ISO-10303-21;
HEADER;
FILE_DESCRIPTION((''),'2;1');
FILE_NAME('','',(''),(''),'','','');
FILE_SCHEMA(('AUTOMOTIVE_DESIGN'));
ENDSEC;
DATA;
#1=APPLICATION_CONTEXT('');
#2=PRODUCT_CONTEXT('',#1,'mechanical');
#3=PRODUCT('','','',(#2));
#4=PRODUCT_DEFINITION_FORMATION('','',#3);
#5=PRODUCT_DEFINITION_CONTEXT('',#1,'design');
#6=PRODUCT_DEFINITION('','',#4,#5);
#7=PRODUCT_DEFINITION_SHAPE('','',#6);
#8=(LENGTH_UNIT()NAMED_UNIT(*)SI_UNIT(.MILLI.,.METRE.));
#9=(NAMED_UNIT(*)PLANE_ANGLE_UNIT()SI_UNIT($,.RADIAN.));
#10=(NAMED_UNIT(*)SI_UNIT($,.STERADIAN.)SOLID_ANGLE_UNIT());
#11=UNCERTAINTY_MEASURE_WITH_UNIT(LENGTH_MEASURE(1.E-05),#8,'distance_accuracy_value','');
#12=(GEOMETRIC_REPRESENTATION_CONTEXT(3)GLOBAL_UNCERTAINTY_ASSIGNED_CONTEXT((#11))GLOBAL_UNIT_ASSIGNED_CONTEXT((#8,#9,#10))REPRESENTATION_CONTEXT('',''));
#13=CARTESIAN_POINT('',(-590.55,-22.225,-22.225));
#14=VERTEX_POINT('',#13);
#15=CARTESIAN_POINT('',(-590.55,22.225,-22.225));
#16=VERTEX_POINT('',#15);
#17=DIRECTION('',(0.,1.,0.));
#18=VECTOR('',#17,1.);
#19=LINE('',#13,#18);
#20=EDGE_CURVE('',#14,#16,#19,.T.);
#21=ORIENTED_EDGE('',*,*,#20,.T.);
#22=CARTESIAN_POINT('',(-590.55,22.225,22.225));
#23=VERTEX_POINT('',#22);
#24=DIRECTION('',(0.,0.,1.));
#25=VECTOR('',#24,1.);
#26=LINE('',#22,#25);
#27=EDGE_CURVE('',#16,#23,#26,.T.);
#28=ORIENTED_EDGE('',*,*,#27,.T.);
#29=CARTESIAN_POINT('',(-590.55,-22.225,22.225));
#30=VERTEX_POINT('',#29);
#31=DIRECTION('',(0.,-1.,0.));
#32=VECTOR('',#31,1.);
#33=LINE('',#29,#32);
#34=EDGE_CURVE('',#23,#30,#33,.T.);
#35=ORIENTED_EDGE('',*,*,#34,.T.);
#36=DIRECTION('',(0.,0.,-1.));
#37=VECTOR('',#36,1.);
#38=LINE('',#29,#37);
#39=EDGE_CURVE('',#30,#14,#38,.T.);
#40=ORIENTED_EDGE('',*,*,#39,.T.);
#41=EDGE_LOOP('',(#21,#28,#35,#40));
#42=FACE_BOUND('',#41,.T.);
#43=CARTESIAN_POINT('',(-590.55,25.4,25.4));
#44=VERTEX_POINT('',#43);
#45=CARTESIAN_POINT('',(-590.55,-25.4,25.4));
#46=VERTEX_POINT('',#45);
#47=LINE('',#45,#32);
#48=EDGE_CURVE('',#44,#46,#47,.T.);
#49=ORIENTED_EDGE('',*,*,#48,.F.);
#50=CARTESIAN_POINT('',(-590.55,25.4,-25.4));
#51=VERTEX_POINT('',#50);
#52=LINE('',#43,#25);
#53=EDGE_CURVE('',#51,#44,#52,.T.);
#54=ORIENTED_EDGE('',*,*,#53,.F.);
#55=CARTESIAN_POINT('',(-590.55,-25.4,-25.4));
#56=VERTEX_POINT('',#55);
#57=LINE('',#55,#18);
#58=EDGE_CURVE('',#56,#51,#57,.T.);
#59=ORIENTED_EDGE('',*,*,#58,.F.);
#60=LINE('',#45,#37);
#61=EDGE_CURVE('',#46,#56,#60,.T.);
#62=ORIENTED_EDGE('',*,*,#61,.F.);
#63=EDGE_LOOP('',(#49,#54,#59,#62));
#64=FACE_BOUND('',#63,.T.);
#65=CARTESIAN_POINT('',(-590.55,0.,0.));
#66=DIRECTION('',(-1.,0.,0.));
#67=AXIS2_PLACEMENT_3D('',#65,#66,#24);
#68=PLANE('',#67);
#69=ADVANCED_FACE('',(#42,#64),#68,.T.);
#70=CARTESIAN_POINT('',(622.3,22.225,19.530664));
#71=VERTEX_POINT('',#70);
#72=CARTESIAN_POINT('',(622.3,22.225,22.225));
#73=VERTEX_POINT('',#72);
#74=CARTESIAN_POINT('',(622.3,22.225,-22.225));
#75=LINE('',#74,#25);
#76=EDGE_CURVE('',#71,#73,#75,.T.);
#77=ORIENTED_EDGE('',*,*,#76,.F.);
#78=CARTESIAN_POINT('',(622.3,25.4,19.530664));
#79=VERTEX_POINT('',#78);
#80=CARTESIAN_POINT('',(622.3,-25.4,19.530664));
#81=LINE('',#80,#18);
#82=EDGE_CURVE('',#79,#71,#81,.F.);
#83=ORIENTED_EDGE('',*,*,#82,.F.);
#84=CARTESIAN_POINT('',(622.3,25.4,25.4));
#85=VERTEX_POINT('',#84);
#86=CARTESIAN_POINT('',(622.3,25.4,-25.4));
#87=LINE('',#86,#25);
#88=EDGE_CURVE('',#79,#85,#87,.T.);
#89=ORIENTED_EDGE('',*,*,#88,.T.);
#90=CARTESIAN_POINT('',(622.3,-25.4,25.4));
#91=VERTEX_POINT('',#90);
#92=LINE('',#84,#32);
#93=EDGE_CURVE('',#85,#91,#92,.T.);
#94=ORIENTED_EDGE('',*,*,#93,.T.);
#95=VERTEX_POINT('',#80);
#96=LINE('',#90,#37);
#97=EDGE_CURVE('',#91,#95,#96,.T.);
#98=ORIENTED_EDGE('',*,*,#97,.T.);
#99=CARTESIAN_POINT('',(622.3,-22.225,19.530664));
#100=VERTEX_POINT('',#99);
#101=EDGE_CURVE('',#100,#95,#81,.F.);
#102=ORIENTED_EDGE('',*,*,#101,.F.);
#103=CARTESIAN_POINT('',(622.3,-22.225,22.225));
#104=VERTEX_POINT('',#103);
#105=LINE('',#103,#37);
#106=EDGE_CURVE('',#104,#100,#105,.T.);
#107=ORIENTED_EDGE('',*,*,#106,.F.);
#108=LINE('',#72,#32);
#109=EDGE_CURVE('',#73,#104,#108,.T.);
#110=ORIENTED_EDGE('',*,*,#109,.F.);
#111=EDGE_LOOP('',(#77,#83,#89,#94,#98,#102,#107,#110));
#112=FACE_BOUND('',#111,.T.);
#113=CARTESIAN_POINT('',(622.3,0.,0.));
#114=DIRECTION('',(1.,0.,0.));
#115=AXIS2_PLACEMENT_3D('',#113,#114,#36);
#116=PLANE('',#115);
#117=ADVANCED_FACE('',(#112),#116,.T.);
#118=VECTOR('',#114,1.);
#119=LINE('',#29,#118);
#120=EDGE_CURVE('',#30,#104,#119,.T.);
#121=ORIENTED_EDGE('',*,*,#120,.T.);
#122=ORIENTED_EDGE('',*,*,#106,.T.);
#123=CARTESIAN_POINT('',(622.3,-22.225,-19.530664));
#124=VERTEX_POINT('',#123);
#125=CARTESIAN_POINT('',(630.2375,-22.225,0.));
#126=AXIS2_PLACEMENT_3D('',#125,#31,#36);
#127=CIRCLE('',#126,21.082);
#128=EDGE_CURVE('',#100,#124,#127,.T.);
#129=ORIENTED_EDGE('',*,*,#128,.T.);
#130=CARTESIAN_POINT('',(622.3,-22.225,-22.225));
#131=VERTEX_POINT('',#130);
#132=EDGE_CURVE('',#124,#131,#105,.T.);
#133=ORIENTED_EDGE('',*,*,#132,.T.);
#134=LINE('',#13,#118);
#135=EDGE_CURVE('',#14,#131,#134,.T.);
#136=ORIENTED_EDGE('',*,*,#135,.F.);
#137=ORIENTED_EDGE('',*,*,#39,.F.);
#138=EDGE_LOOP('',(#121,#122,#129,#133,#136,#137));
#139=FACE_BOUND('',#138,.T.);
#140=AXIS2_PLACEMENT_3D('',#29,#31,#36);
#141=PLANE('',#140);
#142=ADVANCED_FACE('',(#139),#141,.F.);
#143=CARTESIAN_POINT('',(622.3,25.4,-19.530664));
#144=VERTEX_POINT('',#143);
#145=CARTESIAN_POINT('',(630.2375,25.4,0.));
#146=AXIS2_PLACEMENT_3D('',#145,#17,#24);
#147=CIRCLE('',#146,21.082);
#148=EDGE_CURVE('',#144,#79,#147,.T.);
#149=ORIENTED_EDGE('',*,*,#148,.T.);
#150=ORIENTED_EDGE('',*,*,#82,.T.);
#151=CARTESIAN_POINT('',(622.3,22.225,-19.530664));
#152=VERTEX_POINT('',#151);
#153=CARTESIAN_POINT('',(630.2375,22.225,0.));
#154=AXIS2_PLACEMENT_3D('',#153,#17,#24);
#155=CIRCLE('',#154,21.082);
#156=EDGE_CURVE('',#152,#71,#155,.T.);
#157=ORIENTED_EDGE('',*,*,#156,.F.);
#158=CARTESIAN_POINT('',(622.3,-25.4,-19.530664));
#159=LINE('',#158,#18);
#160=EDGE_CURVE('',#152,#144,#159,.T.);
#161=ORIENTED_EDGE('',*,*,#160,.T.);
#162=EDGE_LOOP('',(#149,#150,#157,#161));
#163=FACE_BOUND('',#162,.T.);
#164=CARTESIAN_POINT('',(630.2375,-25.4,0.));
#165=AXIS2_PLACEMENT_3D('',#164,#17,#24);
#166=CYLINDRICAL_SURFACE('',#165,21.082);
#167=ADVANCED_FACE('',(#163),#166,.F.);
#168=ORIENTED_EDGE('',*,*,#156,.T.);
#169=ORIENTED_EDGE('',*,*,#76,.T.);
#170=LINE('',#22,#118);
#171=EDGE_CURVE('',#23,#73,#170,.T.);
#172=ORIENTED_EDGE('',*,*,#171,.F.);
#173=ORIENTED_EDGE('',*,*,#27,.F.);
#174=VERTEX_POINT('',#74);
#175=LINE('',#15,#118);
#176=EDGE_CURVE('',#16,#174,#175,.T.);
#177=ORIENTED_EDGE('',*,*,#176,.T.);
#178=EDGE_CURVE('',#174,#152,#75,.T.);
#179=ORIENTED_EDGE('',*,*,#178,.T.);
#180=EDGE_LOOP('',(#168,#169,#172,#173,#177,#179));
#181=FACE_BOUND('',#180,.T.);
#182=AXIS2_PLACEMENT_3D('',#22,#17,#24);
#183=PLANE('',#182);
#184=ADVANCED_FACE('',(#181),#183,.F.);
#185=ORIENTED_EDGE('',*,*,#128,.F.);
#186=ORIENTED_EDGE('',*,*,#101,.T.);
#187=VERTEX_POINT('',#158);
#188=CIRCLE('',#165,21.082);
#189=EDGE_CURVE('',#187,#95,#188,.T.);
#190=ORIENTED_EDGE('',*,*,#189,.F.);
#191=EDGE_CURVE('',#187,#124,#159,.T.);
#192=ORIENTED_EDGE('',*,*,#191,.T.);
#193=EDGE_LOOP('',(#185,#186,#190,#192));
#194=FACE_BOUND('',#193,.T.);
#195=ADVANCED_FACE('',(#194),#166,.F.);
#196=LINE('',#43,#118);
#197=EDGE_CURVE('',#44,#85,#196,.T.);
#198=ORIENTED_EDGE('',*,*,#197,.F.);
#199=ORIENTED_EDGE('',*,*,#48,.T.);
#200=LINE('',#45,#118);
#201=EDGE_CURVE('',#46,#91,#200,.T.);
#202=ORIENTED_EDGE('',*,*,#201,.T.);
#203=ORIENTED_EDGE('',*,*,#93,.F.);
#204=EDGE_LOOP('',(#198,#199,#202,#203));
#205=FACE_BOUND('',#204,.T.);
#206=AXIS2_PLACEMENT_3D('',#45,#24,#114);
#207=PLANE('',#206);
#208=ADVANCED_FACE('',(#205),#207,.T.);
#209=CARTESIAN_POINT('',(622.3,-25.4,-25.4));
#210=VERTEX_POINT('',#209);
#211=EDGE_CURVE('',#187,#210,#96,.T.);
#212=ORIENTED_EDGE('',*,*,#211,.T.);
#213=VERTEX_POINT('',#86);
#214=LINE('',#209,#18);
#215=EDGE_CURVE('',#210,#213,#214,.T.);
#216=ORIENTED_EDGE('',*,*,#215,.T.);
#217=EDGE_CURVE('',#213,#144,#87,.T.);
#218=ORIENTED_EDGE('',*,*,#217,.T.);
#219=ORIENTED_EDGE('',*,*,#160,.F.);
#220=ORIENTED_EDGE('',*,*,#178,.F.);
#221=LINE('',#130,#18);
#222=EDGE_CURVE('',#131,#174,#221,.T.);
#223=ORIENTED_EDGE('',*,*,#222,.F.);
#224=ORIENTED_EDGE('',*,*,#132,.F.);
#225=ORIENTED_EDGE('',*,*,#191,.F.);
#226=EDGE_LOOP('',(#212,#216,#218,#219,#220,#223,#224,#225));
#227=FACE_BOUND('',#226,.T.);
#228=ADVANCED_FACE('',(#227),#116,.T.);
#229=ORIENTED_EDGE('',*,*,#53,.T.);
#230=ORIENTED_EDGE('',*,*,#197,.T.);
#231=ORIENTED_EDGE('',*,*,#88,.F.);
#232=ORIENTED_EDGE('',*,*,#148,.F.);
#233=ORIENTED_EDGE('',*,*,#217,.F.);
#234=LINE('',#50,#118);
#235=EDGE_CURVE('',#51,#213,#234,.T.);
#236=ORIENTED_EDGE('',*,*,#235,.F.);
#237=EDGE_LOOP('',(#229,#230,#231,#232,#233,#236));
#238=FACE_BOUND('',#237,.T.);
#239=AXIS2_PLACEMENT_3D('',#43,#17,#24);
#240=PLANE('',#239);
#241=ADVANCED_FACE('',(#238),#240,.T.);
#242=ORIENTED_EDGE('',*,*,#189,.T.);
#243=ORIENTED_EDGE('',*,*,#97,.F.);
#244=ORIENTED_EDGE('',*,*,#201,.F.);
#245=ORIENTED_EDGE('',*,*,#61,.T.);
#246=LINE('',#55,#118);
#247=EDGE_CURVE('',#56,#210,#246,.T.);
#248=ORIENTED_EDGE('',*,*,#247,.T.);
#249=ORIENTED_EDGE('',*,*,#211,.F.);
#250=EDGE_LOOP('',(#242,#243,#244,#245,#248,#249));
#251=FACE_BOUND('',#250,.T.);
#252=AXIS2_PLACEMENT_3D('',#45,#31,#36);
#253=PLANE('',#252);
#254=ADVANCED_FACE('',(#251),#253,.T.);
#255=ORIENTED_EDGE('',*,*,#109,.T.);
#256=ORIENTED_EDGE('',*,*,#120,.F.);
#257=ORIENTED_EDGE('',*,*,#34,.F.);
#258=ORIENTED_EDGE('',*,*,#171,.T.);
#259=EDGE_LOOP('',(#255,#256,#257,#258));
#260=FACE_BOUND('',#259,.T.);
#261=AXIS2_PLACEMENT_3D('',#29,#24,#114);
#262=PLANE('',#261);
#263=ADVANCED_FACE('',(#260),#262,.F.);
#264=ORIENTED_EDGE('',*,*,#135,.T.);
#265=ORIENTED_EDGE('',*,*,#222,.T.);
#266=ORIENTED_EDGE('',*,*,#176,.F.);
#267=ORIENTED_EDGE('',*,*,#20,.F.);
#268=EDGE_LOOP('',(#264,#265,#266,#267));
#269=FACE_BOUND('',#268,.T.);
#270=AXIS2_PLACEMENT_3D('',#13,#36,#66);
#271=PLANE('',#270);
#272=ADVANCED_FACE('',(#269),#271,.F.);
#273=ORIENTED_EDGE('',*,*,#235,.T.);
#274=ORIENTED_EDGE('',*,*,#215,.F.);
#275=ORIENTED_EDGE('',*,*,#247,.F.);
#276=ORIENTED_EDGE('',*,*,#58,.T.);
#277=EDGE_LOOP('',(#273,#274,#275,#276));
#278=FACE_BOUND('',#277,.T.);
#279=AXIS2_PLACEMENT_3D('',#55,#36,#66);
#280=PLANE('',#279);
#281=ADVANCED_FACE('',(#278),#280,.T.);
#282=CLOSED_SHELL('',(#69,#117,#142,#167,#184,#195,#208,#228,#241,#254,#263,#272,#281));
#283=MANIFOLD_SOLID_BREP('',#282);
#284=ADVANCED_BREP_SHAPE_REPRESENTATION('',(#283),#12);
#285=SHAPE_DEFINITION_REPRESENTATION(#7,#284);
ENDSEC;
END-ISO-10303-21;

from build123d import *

# Parameters (mm, degrees)
SKETCH1_W                = 50.8
SKETCH1_H                = 50.8
SKETCH1_W_2              = 44.45
SKETCH1_H_2              = 44.45
BOSS_EXTRUDE1_DEPTH      = 590.55
BOSS_EXTRUDE1_DEPTH_BACK = 590.55
SKETCH6_W                = 50.8
SKETCH6_H                = 50.8
SKETCH6_W_2              = 44.45
SKETCH6_H_2              = 44.45
BOSS_EXTRUDE2_DEPTH      = 31.75
SKETCH7_R                = 21.082
CUT_EXTRUDE1_DEPTH       = 50.8


with BuildPart() as part:
    # Sketch1 → Boss-Extrude1 (new body, two sides)
    with BuildSketch(Plane(origin=(0, 0, 0), x_dir=(0, 0, -1), z_dir=(1, 0, 0))) as boss_extrude1_sk:
        Rectangle(SKETCH1_W, SKETCH1_H)
        Rectangle(SKETCH1_W_2, SKETCH1_H_2, mode=Mode.SUBTRACT)
    extrude(amount=BOSS_EXTRUDE1_DEPTH)
    extrude(boss_extrude1_sk.sketch, amount=-BOSS_EXTRUDE1_DEPTH_BACK)

    # Sketch6 → Boss-Extrude2 (add)
    with BuildSketch(Plane(origin=(590.55, 0, 0), x_dir=(0, 0, -1), z_dir=(1, 0, 0))):
        Rectangle(SKETCH6_W, SKETCH6_H)
        Rectangle(SKETCH6_W_2, SKETCH6_H_2, mode=Mode.SUBTRACT)
    extrude(amount=BOSS_EXTRUDE2_DEPTH)

    # Sketch7 → Cut-Extrude1 (cut)
    with BuildSketch(Plane(origin=(0, 25.4, 0), x_dir=(1, 0, 0), z_dir=(0, 1, 0))):
        with Locations((630.2375, 0)):
            Circle(SKETCH7_R)
    extrude(amount=-CUT_EXTRUDE1_DEPTH, mode=Mode.SUBTRACT)


solid = part.part
